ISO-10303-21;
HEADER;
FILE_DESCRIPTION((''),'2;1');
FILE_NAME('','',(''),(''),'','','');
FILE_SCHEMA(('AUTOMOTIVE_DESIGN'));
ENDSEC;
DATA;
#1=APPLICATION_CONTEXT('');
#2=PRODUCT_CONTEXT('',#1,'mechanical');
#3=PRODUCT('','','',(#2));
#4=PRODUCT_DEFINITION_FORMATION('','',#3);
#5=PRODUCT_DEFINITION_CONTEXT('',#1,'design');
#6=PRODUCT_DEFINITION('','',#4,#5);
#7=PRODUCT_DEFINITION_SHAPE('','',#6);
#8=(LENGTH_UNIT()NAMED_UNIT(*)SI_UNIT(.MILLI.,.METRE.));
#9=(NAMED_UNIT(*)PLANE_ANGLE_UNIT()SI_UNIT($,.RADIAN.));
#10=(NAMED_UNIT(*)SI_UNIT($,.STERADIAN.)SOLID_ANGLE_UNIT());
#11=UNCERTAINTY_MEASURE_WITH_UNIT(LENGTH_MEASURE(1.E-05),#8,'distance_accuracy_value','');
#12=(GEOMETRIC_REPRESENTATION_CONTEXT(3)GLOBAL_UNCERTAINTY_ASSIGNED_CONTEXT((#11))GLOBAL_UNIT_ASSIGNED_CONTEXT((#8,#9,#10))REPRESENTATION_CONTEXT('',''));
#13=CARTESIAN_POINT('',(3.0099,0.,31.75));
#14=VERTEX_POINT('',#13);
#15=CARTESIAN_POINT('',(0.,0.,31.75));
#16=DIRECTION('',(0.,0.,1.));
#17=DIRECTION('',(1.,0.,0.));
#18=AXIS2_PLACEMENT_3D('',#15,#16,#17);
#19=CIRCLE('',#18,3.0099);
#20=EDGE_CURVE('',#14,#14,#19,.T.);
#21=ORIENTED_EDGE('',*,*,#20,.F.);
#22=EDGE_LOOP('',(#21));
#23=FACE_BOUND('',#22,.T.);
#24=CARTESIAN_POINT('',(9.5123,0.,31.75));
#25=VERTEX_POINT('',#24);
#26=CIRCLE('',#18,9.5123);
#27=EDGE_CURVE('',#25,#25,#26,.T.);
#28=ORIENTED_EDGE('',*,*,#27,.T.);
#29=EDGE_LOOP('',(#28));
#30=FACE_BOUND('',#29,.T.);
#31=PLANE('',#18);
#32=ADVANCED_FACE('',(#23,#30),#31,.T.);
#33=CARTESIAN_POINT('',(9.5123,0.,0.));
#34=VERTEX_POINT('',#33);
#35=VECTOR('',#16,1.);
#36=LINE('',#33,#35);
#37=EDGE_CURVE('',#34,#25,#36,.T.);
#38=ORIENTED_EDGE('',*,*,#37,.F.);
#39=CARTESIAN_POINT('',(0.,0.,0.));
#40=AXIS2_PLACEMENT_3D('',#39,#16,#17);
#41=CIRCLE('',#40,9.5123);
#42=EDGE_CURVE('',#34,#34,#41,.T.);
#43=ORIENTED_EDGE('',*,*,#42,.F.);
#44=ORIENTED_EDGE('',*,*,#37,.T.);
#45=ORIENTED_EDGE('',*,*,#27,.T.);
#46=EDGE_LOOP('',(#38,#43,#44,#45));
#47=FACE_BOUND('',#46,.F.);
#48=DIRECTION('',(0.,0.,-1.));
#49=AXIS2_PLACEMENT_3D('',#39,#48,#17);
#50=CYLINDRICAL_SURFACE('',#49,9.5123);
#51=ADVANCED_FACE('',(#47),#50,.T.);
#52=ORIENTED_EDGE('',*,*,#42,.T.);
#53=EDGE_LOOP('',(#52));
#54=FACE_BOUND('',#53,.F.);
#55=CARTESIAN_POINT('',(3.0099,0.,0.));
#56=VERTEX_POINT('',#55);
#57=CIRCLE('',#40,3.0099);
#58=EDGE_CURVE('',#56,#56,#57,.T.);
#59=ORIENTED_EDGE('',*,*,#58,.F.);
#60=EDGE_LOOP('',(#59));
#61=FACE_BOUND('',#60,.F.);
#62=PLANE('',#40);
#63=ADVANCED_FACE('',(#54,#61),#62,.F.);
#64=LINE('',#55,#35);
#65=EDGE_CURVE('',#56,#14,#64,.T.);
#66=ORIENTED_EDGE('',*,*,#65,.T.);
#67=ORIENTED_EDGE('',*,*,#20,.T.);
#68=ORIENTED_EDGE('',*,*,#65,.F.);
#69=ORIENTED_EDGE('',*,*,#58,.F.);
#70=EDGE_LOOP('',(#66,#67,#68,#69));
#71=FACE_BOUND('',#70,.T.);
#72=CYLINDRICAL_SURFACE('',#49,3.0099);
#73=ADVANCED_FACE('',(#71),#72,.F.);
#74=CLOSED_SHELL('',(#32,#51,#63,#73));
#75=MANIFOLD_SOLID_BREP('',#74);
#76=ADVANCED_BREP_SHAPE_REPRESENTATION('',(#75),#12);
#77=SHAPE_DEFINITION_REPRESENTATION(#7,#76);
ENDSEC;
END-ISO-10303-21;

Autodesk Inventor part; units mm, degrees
ref_plane "YZ Plane" through (0, 0, 0) normal (1, 0, 0) x (0, 1, 0)
ref_plane "XZ Plane" through (0, 0, 0) normal (0, 1, 0) x (-1, 0, 0)
ref_plane "XY Plane" through (0, 0, 0) normal (0, 0, 1) x (1, 0, 0)
sketch "Sketch1" plane through (0, 0, 0) normal (0, 0, 1) x (1, 0, 0)
  circle A0 centre (0, 0) radius 3.0099
  circle A1 centre (0, 0) radius 9.5123
  dimension "d0" = 6.0198
  dimension "d1" = 19.0246
extrude "Extrusion1" add sketch "Sketch1" along normal blind 31.75
properties part number "bicep motor fitter"
